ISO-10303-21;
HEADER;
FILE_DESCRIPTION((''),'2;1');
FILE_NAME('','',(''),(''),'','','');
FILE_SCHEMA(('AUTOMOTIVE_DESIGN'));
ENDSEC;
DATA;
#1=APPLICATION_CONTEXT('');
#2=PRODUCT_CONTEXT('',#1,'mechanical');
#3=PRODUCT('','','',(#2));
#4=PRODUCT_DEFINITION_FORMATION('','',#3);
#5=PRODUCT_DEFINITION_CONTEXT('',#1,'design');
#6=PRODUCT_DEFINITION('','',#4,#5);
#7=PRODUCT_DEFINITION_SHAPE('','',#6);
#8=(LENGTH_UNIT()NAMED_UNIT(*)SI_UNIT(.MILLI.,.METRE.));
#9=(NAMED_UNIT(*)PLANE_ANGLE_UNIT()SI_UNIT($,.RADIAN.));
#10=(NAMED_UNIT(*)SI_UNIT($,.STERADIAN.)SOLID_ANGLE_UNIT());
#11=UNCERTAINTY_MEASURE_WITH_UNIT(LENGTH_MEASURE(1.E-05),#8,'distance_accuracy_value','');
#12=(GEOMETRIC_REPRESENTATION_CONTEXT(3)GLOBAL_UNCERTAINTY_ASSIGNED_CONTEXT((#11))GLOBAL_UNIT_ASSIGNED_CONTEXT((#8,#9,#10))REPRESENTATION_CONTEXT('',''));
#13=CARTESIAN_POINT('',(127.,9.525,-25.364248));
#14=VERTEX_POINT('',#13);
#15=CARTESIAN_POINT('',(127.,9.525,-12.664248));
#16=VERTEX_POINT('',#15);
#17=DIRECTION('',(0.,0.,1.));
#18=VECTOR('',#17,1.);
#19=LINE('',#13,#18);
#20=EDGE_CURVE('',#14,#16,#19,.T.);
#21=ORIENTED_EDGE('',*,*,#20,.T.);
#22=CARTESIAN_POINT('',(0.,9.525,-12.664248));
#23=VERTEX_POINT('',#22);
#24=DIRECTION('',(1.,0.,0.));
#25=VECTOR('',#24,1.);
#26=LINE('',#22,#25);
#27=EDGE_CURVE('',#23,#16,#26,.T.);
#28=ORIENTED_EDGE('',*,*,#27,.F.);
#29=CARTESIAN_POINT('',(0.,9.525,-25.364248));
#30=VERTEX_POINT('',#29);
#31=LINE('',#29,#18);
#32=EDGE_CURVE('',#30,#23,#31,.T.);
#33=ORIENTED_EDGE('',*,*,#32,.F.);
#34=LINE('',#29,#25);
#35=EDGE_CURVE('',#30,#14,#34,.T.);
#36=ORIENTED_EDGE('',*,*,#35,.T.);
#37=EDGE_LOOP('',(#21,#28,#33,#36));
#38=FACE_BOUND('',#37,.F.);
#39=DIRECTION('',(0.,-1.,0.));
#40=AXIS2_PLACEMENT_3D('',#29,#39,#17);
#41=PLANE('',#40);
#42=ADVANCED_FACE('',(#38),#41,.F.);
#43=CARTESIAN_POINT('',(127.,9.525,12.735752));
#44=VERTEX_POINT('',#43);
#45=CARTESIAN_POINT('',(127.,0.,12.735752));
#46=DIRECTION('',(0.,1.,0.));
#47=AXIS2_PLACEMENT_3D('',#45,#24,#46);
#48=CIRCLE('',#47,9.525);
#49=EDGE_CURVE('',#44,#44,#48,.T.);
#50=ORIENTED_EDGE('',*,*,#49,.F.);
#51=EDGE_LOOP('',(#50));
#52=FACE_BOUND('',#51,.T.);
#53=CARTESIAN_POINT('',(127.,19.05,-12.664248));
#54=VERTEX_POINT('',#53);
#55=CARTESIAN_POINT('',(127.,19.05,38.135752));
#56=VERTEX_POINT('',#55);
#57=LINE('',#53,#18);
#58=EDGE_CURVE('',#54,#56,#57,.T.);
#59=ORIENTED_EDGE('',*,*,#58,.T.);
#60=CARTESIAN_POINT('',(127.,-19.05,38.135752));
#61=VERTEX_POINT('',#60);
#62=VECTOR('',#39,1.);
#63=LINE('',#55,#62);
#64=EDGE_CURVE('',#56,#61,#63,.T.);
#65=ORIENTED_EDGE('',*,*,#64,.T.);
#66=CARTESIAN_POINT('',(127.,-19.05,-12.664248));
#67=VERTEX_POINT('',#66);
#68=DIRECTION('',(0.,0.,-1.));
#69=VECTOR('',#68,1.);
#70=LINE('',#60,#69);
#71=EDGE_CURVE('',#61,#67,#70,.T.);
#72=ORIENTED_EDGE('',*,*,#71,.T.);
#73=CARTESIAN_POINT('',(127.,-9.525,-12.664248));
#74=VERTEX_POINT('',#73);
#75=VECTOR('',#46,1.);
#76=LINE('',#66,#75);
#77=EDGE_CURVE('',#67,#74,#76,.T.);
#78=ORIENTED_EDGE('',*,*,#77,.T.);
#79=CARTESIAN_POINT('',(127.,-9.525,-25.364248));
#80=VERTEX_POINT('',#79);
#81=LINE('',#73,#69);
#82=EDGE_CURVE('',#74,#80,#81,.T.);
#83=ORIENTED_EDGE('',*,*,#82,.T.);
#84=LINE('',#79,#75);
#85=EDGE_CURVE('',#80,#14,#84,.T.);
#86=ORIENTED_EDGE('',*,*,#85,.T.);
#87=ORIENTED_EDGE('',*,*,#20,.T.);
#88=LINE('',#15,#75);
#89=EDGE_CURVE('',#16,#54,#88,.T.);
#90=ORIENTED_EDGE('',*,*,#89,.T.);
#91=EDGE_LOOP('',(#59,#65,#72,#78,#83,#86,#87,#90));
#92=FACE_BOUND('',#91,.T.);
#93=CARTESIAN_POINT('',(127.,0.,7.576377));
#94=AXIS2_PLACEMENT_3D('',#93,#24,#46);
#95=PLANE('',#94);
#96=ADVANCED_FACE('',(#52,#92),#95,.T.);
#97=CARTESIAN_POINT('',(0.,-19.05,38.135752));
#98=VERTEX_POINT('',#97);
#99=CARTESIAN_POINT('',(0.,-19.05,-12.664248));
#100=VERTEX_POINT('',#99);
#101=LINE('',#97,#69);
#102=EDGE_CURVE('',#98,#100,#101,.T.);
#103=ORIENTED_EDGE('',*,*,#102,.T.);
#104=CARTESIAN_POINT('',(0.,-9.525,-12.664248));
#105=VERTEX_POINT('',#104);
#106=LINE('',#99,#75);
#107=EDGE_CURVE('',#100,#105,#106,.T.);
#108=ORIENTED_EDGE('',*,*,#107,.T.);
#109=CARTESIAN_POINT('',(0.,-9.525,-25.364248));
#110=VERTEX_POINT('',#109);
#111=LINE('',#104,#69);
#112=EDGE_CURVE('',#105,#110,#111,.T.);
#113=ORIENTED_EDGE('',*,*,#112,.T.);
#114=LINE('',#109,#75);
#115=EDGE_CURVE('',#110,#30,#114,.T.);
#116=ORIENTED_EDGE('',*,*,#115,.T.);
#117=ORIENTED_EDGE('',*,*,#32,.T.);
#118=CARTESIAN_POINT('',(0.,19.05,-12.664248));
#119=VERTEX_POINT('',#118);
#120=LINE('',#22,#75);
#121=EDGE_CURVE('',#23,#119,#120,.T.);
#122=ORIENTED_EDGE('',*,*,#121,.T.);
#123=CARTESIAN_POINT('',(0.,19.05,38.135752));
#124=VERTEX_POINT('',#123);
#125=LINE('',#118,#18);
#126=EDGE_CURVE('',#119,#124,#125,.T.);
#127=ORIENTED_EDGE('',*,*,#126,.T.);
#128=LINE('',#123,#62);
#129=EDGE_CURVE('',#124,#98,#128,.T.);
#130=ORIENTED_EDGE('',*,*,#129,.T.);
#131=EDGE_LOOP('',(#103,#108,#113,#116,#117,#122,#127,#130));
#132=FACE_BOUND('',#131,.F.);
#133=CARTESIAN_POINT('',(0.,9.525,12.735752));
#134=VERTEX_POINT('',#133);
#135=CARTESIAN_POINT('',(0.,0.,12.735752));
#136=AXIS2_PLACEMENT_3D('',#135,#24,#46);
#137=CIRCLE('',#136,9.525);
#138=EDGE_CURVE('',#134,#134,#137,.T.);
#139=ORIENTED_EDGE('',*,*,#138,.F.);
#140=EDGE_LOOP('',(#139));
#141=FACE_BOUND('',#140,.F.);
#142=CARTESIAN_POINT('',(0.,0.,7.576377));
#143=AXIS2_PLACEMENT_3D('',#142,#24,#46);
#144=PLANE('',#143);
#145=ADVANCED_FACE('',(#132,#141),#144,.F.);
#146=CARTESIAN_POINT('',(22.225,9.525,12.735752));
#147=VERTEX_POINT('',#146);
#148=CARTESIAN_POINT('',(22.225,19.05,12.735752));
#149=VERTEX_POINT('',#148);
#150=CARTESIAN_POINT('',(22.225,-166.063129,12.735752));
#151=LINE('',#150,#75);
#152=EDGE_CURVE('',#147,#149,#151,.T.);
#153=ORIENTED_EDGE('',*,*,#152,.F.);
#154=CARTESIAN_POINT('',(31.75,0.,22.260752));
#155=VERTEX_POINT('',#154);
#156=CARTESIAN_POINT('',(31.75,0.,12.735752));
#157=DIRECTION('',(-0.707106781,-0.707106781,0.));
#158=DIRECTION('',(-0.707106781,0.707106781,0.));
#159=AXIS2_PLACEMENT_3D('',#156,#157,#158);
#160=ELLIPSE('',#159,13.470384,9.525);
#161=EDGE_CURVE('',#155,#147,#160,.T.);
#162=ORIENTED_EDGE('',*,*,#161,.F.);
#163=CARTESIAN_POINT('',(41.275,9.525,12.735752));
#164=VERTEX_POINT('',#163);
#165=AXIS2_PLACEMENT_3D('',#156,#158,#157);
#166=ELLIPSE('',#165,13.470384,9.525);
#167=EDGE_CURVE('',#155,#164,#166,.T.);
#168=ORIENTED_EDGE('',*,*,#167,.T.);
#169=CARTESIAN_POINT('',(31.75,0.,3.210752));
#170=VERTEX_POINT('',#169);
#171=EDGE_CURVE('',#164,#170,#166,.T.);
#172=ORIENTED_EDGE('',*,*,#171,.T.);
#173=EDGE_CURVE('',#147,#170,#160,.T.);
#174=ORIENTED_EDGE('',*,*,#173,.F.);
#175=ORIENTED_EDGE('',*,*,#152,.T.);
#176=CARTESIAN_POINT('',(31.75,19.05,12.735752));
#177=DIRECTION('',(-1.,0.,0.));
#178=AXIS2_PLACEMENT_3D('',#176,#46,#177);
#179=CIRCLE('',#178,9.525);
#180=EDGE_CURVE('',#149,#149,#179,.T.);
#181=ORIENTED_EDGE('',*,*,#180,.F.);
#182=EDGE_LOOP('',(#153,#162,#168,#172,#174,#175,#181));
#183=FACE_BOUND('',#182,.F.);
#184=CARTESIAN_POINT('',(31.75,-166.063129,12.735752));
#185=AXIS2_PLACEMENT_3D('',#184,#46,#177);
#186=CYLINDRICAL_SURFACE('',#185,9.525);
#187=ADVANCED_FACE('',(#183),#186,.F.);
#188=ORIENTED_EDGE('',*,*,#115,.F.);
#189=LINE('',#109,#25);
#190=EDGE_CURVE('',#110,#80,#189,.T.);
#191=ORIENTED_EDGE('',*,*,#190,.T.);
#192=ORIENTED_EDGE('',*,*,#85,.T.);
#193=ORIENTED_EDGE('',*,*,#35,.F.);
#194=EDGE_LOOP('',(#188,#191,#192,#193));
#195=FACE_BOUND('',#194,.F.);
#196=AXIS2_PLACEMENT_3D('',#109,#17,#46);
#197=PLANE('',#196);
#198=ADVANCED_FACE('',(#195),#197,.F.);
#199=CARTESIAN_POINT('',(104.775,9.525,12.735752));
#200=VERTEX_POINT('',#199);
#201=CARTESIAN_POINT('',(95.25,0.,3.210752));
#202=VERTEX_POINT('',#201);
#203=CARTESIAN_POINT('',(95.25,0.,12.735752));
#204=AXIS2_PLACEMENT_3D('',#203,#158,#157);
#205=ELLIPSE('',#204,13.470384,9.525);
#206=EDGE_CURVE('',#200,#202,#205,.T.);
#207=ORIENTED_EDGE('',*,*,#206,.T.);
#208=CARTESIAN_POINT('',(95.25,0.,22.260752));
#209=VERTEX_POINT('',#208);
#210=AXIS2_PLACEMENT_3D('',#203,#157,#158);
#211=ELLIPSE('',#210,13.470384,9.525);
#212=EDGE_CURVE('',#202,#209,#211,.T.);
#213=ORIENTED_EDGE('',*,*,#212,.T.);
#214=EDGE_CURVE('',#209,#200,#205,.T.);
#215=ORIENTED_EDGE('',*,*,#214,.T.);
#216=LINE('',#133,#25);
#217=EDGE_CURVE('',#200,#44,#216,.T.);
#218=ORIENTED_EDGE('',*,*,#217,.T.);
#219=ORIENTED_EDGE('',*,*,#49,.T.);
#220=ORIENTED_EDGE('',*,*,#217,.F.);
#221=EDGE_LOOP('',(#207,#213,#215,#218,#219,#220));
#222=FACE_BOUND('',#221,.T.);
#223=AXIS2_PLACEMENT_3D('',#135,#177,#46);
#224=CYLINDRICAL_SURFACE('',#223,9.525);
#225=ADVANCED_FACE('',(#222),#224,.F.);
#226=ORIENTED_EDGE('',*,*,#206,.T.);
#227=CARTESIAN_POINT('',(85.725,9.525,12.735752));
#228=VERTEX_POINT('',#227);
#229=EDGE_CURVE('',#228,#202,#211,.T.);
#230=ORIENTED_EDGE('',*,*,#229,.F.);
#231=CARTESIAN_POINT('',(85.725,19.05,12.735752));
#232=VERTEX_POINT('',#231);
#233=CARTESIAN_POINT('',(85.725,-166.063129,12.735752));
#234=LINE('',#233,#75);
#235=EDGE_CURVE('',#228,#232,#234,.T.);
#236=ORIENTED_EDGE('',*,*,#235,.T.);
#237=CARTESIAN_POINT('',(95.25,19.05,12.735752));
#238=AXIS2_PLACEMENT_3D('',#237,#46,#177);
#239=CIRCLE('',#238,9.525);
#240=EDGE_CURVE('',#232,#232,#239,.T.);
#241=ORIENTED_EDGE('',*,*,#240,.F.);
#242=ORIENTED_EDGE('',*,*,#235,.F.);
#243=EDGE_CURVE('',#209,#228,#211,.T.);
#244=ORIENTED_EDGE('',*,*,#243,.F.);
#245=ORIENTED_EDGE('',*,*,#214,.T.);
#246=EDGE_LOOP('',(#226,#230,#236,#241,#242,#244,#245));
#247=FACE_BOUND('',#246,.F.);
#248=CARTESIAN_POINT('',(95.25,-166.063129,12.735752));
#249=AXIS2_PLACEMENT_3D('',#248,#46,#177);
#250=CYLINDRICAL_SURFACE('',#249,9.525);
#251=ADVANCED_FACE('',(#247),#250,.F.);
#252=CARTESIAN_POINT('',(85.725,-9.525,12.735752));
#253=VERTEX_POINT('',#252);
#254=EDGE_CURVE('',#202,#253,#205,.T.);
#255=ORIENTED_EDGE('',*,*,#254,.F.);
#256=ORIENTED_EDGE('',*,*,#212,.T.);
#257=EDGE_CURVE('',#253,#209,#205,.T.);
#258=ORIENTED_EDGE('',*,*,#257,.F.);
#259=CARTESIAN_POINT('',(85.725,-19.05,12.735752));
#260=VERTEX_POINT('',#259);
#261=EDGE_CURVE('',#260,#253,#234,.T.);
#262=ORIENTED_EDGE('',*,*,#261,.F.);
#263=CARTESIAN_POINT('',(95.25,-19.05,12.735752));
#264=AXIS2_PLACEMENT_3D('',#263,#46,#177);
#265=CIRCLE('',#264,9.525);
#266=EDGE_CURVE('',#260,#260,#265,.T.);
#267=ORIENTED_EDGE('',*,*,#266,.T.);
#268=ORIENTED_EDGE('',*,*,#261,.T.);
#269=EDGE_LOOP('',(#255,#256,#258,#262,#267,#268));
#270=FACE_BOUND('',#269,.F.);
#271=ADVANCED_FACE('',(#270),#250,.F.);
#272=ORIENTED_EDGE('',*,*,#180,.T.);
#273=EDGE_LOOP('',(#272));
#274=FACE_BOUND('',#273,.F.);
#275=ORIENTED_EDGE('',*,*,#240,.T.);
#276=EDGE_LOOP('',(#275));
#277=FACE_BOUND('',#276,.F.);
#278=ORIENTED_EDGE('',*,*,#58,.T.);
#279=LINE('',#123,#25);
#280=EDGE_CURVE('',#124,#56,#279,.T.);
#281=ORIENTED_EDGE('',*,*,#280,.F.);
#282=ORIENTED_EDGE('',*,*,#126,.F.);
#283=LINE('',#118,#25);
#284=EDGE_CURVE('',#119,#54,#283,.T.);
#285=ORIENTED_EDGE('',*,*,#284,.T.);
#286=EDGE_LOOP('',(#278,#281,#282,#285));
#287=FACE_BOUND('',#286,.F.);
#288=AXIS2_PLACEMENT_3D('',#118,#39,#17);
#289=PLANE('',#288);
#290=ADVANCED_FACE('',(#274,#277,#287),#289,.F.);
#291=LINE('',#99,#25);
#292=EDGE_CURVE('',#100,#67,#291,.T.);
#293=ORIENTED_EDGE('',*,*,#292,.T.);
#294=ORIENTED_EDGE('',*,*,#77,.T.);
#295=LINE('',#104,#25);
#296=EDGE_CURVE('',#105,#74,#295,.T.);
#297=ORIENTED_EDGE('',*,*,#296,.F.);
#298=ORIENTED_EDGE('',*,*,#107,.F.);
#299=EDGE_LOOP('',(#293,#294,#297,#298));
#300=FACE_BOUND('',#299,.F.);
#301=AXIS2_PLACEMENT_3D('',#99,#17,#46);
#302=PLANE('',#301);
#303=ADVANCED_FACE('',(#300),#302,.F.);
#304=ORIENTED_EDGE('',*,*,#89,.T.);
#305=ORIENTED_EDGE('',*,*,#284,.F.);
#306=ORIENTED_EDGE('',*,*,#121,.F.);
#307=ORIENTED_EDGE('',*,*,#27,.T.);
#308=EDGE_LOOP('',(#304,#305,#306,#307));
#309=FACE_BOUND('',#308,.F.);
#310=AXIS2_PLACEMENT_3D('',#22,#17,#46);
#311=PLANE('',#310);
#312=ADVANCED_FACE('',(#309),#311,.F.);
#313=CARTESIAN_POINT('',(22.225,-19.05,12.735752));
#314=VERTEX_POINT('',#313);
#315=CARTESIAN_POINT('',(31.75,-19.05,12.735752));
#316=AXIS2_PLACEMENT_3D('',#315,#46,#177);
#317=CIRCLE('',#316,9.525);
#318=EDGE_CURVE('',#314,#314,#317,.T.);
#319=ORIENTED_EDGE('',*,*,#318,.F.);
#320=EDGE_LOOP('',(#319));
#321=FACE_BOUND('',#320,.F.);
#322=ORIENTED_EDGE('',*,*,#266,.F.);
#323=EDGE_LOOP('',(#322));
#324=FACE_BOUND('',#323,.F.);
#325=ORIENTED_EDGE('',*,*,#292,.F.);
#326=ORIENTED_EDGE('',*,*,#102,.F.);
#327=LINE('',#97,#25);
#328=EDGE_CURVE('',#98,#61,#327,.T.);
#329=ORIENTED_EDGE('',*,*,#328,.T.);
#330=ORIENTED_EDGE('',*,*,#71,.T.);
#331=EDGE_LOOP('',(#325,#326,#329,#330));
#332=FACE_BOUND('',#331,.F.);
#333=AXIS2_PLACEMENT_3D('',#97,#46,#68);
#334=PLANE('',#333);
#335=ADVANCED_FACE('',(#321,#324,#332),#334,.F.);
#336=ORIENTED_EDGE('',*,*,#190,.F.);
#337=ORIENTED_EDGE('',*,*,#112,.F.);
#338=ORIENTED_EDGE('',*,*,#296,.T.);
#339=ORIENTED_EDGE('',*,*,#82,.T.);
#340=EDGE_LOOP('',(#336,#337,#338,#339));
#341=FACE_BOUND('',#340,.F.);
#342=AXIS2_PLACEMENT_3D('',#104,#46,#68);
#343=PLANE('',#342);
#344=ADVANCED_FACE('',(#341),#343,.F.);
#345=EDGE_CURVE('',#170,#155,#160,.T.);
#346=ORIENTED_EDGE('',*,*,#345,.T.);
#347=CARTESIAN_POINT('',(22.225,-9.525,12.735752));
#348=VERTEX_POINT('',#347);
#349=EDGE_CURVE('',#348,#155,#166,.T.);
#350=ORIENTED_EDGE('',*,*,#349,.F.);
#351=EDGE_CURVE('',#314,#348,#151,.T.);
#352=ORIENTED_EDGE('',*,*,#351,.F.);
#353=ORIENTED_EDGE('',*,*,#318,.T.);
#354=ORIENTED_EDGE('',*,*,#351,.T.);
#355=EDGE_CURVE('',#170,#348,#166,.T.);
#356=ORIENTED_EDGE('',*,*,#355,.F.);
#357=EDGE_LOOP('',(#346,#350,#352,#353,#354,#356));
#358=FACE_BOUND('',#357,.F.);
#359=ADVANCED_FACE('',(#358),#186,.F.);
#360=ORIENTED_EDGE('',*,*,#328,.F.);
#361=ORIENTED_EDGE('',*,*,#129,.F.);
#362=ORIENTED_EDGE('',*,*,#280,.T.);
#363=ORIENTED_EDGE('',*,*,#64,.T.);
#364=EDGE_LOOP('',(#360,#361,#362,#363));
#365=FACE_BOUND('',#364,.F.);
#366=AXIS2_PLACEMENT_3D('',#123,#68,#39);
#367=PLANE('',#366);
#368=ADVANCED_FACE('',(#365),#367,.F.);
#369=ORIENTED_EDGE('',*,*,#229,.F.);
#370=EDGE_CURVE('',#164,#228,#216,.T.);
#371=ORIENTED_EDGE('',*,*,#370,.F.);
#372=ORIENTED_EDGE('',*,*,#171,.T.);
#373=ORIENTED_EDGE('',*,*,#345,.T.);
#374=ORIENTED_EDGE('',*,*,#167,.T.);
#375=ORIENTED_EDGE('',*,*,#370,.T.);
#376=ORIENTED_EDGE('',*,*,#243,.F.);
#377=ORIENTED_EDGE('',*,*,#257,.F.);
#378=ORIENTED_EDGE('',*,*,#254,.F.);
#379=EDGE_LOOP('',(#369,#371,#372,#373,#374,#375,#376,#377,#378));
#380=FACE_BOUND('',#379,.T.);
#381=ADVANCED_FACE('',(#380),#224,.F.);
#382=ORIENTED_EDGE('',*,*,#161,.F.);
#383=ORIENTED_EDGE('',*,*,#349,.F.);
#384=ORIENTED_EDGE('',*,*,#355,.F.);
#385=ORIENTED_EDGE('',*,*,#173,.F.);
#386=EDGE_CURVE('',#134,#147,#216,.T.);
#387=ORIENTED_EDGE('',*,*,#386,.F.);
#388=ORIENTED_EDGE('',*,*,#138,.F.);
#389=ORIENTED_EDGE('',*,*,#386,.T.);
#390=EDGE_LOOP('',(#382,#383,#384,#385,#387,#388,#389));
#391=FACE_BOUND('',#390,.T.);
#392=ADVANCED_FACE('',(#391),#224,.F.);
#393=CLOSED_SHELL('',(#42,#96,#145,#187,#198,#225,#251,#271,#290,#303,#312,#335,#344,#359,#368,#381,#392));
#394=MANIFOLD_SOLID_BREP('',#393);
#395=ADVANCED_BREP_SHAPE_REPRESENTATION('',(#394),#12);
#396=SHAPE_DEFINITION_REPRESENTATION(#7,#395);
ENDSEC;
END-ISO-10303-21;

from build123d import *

# Parameters (mm, degrees)
F0_R     = 9.525
F1_DEPTH = 127
F3_D     = 19.05


with BuildPart() as f1:
    # F0 (on Right) → F1 (new body)
    with BuildSketch(Plane.YZ):
        Polygon((19.05, 38.135752), (-19.05, 38.135752), (-19.05, 12.735752), (-19.05, -12.664248), (-9.525, -12.664248), (-9.525, -25.364248), (9.525, -25.364248), (9.525, -12.664248), (19.05, -12.664248), align=None)
        with Locations((0, 12.735752)):
            Circle(F0_R, mode=Mode.SUBTRACT)
    extrude(amount=F1_DEPTH)

    # F3 (through all)
    with Locations(Plane.XZ.offset(19.05)):
        with Locations((95.25, 12.735752), (31.75, 12.735752)):
            Hole(F3_D / 2)


solid = f1.part
